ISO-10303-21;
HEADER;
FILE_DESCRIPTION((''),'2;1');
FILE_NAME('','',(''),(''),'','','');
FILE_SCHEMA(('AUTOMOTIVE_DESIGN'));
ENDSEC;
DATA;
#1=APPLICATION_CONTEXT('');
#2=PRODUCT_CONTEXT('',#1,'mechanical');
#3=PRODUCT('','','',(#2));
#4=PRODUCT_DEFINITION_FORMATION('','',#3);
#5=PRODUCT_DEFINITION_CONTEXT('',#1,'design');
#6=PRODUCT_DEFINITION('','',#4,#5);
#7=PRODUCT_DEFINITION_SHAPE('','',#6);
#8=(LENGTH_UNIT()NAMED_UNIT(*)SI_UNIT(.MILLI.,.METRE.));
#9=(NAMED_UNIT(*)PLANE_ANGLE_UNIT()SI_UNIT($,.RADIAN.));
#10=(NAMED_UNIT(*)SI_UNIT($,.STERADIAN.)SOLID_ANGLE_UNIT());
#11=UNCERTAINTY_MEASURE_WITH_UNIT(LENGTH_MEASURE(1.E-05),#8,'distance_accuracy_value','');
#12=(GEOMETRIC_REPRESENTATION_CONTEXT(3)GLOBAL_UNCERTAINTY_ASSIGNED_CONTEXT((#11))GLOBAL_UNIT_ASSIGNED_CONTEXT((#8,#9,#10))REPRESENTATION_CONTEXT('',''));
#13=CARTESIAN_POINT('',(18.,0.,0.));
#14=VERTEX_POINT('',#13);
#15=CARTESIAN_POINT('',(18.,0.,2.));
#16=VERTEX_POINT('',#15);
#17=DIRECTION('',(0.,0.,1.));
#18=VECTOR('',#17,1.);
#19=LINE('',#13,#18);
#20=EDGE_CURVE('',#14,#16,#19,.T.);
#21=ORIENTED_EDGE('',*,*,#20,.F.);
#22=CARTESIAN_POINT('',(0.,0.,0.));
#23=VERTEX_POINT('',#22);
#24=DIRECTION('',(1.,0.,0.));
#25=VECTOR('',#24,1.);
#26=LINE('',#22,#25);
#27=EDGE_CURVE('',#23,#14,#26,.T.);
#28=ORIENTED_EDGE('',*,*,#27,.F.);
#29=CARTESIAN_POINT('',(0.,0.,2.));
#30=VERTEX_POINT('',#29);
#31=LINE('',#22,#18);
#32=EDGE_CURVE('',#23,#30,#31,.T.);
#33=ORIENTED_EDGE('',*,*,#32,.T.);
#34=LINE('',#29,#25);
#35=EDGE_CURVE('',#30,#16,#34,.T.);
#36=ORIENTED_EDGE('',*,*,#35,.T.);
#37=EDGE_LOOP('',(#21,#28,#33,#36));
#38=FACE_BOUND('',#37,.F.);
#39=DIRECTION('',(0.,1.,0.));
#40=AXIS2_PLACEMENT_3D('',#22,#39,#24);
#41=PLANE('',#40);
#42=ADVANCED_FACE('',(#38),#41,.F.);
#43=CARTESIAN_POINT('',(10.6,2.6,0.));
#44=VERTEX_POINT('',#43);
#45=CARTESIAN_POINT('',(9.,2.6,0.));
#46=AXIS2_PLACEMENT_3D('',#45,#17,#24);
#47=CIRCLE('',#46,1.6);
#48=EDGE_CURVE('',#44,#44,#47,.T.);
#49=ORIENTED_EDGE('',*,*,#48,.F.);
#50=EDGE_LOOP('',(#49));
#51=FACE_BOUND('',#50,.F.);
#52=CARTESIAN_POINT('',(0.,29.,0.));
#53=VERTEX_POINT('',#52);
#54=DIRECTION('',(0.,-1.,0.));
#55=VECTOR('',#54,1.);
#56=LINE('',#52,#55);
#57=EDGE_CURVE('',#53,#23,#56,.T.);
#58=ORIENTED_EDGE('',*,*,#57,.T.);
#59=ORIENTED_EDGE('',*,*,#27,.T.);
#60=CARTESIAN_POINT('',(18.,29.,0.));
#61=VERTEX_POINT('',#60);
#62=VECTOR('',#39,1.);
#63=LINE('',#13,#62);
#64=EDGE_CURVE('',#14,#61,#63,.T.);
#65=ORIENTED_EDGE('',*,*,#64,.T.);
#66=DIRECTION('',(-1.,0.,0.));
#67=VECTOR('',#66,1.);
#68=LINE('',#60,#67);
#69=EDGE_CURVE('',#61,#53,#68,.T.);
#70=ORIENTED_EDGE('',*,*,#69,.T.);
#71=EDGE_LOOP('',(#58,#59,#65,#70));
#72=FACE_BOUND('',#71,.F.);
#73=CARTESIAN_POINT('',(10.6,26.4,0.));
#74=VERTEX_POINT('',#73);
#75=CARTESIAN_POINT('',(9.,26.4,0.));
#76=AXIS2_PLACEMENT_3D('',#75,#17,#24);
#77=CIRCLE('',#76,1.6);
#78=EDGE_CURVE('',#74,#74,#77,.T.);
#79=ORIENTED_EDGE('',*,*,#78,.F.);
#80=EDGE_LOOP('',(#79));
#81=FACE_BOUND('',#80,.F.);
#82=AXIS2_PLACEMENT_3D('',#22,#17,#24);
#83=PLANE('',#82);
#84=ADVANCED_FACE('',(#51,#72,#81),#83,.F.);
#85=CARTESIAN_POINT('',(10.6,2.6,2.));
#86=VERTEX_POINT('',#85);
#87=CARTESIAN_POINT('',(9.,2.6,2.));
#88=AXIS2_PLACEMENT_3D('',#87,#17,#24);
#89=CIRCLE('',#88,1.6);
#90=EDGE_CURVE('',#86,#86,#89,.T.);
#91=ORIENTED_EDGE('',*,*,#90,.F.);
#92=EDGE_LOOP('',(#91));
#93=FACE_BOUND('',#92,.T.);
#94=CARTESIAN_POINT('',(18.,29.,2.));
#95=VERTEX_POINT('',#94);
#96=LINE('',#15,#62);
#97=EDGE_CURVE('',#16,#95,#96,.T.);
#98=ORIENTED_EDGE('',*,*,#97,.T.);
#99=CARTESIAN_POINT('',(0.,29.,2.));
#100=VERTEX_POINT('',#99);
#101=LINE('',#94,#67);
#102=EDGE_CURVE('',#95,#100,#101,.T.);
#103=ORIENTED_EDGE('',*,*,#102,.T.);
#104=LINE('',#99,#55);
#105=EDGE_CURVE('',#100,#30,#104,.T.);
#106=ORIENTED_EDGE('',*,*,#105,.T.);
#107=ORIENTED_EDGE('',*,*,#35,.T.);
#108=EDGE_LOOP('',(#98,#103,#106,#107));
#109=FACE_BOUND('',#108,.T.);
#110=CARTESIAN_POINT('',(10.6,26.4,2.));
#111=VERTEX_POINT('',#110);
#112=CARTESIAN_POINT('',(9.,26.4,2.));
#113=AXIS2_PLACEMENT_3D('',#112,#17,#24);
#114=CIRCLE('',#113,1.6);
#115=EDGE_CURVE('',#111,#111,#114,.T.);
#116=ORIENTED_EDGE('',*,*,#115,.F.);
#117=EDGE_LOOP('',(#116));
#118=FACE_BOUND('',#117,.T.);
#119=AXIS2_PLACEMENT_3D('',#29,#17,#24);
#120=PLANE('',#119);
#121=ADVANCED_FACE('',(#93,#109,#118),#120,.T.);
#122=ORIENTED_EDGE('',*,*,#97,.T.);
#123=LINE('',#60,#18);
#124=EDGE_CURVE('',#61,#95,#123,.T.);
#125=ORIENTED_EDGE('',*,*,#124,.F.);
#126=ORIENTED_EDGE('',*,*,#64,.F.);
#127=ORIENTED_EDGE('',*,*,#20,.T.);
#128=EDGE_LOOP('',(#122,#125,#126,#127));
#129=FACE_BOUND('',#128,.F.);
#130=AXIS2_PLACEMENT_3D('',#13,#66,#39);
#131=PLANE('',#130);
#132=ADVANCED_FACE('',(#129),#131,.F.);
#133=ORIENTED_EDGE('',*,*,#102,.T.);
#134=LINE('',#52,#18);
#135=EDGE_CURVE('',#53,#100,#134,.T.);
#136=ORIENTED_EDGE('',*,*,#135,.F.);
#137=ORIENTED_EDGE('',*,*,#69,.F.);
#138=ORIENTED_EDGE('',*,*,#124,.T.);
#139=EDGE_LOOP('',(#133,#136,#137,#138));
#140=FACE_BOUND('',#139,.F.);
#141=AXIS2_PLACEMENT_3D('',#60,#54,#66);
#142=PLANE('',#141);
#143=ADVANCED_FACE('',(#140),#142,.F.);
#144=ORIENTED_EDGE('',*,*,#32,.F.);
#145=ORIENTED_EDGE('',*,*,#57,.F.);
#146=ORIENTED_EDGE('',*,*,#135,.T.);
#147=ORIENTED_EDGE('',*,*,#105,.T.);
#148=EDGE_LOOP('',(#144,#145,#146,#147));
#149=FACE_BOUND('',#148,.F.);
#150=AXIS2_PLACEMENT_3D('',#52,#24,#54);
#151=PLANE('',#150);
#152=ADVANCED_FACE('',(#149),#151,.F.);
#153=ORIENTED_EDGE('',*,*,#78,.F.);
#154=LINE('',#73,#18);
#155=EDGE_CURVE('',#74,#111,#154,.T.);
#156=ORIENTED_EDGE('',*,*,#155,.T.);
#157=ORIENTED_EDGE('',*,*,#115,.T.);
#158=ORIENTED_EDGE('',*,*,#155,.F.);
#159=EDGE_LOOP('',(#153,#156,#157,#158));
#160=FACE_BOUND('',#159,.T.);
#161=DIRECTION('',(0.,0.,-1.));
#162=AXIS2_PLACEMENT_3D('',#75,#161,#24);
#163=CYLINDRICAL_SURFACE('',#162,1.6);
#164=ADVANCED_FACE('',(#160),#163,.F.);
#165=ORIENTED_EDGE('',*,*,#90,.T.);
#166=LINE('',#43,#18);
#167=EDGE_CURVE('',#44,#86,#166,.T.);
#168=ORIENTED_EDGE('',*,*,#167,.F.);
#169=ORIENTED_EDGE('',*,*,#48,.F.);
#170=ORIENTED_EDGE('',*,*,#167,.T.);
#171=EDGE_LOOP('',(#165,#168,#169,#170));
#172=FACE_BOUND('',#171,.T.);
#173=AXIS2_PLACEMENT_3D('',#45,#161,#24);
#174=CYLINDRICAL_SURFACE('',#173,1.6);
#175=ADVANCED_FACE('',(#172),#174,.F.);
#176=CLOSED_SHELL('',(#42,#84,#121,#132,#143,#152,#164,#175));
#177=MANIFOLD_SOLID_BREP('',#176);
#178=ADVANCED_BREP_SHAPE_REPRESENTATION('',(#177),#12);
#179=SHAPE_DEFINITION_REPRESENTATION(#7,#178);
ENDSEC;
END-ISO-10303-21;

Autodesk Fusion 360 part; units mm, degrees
sketch "Esquisse1" plane through (0, 0, 0) normal (0, 0, 1) x (1, 0, 0)
  line L0 (0, 0) -> (18, 0)
  line L1 (18, 0) -> (18, 29)
  line L2 (18, 29) -> (0, 29)
  line L3 (0, 29) -> (0, 0)
  line L4 (9, 29) -> (9, 0) construction
  circle A0 centre (9, 26.4) radius 1.6
  circle A1 centre (9, 2.6) radius 1.6
  dimension "d1" = 18
  dimension "d2" = 29
  dimension "d3" = 3.2
  dimension "d4" = 3.2
  dimension "d5" = 2.6
  dimension "d6" = 2.6
extrude "Extrusion1" add sketch "Esquisse1" along normal blind 2
